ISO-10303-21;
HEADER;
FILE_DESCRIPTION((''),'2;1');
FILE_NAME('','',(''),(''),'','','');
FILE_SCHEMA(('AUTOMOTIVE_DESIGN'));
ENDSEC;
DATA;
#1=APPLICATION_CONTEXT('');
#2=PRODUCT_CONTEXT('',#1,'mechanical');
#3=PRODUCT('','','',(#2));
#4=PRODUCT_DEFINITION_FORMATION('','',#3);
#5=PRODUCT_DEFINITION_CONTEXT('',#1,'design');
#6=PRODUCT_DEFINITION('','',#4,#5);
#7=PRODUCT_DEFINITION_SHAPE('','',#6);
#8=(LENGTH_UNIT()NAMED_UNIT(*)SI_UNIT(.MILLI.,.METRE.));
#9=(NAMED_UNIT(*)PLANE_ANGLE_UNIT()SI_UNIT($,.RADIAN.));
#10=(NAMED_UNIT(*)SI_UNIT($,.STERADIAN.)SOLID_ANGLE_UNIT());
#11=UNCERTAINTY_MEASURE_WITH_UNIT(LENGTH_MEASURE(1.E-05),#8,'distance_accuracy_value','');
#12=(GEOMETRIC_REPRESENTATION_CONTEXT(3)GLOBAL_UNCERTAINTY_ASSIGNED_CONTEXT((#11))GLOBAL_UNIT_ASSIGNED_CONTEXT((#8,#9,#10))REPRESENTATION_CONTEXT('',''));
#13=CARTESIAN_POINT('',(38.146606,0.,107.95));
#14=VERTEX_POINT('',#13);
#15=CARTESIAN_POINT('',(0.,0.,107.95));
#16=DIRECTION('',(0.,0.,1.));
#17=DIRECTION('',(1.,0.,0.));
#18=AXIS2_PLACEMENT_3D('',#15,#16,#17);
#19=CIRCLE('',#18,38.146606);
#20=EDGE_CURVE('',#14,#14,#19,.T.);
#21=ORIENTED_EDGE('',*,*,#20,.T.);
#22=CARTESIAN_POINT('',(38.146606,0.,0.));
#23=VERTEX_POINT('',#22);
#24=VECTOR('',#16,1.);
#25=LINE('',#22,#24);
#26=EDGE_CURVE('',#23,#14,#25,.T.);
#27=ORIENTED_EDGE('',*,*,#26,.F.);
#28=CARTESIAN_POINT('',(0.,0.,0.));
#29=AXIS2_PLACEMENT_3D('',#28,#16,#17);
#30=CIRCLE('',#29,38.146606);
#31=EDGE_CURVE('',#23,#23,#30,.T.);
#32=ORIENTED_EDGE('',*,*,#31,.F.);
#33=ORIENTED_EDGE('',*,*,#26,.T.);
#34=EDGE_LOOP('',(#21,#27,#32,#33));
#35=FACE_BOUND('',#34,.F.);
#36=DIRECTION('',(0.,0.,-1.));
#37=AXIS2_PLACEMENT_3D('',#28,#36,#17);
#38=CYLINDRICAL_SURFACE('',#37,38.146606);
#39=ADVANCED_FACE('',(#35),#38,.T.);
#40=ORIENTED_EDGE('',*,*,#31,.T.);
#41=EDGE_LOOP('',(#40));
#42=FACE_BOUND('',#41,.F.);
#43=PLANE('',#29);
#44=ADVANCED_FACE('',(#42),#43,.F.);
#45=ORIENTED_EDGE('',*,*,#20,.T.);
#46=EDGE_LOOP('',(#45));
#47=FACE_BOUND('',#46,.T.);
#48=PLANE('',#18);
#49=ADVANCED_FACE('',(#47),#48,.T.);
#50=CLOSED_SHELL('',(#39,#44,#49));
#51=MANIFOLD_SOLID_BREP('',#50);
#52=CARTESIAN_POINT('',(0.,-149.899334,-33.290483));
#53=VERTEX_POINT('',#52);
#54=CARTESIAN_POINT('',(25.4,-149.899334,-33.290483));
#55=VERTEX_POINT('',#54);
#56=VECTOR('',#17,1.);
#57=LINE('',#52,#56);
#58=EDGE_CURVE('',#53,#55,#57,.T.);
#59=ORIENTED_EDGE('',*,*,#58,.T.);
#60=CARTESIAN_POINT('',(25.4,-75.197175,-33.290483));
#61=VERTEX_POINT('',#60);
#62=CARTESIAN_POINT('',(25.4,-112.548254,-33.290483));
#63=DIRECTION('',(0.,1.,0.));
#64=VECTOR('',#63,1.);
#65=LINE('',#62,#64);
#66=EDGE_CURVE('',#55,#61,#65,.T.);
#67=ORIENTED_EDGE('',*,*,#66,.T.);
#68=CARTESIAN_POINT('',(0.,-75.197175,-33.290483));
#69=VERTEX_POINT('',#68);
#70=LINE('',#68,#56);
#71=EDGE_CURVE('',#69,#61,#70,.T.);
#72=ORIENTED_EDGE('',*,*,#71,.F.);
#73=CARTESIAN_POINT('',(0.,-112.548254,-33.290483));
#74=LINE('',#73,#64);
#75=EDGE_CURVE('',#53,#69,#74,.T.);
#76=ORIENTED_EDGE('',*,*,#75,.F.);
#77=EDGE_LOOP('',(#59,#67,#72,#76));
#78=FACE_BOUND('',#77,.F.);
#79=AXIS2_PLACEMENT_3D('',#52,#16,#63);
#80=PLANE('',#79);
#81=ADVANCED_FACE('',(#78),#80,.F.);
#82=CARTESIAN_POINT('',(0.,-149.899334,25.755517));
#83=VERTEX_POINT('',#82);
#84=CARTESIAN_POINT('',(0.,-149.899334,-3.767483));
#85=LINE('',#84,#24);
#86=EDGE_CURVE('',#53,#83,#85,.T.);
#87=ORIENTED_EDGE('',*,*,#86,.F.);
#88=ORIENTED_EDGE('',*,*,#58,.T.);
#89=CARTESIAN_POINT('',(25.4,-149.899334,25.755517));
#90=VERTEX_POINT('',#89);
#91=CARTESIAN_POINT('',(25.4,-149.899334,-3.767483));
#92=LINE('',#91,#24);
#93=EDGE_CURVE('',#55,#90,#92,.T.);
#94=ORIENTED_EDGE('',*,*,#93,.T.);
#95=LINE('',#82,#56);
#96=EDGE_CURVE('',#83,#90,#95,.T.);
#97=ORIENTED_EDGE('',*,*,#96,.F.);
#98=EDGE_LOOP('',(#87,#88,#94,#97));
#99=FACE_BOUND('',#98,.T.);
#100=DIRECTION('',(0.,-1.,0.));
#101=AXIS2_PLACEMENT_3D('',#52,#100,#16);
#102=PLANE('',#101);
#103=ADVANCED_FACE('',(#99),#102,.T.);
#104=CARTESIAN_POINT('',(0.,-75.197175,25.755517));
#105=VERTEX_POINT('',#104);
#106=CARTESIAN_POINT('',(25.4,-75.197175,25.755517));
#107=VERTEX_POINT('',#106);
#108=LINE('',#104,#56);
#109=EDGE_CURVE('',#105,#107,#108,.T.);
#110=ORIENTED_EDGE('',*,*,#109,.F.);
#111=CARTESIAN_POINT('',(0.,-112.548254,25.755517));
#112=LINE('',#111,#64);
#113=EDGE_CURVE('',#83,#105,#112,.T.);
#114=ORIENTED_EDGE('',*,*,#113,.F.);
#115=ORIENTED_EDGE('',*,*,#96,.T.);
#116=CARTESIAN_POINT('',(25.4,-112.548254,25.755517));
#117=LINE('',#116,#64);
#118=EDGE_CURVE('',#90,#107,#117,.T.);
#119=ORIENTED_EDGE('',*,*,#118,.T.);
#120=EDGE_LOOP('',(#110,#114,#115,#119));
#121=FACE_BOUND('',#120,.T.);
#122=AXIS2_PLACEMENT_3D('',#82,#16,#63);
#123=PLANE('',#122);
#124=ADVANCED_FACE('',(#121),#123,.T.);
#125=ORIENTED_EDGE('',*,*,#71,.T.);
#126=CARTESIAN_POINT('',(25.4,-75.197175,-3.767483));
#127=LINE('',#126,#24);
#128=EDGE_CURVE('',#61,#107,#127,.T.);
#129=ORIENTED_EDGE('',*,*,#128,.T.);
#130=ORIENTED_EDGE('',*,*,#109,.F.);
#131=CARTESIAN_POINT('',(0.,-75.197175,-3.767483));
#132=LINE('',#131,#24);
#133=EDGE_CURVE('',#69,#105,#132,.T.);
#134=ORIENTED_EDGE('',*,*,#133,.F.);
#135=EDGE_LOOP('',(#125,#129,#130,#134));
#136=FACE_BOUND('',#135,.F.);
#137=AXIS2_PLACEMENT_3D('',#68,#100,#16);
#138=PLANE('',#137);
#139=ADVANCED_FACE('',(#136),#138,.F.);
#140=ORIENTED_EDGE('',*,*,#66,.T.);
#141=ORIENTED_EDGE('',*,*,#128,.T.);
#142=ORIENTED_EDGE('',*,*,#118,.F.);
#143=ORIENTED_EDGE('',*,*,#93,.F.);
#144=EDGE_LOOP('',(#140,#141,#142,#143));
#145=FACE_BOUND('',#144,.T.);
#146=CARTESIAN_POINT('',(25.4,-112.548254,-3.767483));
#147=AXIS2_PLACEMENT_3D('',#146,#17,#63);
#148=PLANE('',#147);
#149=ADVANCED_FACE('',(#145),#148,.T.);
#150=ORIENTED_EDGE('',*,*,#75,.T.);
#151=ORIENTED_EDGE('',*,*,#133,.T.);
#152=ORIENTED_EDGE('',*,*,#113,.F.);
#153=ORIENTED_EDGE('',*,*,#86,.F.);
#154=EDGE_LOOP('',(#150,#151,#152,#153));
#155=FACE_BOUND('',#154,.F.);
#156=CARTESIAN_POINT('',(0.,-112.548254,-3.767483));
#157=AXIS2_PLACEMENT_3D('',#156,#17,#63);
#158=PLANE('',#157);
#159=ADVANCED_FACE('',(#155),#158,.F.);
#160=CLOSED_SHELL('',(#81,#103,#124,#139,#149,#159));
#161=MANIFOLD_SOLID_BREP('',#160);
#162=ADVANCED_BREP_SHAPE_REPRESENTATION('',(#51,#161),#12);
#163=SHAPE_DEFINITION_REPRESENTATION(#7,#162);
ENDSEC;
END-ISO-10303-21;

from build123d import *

# Parameters (mm, degrees)
F0_R     = 38.146606
F1_DEPTH = 107.95
F2_W     = 74.702159
F2_H     = 59.046
F3_DEPTH = 25.4


with BuildPart() as f1:
    # F0 (on Top) → F1 (new body)
    with BuildSketch(Plane.XY):
        Circle(F0_R)
    extrude(amount=F1_DEPTH)


with BuildPart() as f3:
    # F2 (on Right) → F3 (new body)
    with BuildSketch(Plane.YZ):
        with Locations((-112.548254, -3.767483)):
            Rectangle(F2_W, F2_H)
    extrude(amount=F3_DEPTH)


solid = Compound([f1.part, f3.part])
